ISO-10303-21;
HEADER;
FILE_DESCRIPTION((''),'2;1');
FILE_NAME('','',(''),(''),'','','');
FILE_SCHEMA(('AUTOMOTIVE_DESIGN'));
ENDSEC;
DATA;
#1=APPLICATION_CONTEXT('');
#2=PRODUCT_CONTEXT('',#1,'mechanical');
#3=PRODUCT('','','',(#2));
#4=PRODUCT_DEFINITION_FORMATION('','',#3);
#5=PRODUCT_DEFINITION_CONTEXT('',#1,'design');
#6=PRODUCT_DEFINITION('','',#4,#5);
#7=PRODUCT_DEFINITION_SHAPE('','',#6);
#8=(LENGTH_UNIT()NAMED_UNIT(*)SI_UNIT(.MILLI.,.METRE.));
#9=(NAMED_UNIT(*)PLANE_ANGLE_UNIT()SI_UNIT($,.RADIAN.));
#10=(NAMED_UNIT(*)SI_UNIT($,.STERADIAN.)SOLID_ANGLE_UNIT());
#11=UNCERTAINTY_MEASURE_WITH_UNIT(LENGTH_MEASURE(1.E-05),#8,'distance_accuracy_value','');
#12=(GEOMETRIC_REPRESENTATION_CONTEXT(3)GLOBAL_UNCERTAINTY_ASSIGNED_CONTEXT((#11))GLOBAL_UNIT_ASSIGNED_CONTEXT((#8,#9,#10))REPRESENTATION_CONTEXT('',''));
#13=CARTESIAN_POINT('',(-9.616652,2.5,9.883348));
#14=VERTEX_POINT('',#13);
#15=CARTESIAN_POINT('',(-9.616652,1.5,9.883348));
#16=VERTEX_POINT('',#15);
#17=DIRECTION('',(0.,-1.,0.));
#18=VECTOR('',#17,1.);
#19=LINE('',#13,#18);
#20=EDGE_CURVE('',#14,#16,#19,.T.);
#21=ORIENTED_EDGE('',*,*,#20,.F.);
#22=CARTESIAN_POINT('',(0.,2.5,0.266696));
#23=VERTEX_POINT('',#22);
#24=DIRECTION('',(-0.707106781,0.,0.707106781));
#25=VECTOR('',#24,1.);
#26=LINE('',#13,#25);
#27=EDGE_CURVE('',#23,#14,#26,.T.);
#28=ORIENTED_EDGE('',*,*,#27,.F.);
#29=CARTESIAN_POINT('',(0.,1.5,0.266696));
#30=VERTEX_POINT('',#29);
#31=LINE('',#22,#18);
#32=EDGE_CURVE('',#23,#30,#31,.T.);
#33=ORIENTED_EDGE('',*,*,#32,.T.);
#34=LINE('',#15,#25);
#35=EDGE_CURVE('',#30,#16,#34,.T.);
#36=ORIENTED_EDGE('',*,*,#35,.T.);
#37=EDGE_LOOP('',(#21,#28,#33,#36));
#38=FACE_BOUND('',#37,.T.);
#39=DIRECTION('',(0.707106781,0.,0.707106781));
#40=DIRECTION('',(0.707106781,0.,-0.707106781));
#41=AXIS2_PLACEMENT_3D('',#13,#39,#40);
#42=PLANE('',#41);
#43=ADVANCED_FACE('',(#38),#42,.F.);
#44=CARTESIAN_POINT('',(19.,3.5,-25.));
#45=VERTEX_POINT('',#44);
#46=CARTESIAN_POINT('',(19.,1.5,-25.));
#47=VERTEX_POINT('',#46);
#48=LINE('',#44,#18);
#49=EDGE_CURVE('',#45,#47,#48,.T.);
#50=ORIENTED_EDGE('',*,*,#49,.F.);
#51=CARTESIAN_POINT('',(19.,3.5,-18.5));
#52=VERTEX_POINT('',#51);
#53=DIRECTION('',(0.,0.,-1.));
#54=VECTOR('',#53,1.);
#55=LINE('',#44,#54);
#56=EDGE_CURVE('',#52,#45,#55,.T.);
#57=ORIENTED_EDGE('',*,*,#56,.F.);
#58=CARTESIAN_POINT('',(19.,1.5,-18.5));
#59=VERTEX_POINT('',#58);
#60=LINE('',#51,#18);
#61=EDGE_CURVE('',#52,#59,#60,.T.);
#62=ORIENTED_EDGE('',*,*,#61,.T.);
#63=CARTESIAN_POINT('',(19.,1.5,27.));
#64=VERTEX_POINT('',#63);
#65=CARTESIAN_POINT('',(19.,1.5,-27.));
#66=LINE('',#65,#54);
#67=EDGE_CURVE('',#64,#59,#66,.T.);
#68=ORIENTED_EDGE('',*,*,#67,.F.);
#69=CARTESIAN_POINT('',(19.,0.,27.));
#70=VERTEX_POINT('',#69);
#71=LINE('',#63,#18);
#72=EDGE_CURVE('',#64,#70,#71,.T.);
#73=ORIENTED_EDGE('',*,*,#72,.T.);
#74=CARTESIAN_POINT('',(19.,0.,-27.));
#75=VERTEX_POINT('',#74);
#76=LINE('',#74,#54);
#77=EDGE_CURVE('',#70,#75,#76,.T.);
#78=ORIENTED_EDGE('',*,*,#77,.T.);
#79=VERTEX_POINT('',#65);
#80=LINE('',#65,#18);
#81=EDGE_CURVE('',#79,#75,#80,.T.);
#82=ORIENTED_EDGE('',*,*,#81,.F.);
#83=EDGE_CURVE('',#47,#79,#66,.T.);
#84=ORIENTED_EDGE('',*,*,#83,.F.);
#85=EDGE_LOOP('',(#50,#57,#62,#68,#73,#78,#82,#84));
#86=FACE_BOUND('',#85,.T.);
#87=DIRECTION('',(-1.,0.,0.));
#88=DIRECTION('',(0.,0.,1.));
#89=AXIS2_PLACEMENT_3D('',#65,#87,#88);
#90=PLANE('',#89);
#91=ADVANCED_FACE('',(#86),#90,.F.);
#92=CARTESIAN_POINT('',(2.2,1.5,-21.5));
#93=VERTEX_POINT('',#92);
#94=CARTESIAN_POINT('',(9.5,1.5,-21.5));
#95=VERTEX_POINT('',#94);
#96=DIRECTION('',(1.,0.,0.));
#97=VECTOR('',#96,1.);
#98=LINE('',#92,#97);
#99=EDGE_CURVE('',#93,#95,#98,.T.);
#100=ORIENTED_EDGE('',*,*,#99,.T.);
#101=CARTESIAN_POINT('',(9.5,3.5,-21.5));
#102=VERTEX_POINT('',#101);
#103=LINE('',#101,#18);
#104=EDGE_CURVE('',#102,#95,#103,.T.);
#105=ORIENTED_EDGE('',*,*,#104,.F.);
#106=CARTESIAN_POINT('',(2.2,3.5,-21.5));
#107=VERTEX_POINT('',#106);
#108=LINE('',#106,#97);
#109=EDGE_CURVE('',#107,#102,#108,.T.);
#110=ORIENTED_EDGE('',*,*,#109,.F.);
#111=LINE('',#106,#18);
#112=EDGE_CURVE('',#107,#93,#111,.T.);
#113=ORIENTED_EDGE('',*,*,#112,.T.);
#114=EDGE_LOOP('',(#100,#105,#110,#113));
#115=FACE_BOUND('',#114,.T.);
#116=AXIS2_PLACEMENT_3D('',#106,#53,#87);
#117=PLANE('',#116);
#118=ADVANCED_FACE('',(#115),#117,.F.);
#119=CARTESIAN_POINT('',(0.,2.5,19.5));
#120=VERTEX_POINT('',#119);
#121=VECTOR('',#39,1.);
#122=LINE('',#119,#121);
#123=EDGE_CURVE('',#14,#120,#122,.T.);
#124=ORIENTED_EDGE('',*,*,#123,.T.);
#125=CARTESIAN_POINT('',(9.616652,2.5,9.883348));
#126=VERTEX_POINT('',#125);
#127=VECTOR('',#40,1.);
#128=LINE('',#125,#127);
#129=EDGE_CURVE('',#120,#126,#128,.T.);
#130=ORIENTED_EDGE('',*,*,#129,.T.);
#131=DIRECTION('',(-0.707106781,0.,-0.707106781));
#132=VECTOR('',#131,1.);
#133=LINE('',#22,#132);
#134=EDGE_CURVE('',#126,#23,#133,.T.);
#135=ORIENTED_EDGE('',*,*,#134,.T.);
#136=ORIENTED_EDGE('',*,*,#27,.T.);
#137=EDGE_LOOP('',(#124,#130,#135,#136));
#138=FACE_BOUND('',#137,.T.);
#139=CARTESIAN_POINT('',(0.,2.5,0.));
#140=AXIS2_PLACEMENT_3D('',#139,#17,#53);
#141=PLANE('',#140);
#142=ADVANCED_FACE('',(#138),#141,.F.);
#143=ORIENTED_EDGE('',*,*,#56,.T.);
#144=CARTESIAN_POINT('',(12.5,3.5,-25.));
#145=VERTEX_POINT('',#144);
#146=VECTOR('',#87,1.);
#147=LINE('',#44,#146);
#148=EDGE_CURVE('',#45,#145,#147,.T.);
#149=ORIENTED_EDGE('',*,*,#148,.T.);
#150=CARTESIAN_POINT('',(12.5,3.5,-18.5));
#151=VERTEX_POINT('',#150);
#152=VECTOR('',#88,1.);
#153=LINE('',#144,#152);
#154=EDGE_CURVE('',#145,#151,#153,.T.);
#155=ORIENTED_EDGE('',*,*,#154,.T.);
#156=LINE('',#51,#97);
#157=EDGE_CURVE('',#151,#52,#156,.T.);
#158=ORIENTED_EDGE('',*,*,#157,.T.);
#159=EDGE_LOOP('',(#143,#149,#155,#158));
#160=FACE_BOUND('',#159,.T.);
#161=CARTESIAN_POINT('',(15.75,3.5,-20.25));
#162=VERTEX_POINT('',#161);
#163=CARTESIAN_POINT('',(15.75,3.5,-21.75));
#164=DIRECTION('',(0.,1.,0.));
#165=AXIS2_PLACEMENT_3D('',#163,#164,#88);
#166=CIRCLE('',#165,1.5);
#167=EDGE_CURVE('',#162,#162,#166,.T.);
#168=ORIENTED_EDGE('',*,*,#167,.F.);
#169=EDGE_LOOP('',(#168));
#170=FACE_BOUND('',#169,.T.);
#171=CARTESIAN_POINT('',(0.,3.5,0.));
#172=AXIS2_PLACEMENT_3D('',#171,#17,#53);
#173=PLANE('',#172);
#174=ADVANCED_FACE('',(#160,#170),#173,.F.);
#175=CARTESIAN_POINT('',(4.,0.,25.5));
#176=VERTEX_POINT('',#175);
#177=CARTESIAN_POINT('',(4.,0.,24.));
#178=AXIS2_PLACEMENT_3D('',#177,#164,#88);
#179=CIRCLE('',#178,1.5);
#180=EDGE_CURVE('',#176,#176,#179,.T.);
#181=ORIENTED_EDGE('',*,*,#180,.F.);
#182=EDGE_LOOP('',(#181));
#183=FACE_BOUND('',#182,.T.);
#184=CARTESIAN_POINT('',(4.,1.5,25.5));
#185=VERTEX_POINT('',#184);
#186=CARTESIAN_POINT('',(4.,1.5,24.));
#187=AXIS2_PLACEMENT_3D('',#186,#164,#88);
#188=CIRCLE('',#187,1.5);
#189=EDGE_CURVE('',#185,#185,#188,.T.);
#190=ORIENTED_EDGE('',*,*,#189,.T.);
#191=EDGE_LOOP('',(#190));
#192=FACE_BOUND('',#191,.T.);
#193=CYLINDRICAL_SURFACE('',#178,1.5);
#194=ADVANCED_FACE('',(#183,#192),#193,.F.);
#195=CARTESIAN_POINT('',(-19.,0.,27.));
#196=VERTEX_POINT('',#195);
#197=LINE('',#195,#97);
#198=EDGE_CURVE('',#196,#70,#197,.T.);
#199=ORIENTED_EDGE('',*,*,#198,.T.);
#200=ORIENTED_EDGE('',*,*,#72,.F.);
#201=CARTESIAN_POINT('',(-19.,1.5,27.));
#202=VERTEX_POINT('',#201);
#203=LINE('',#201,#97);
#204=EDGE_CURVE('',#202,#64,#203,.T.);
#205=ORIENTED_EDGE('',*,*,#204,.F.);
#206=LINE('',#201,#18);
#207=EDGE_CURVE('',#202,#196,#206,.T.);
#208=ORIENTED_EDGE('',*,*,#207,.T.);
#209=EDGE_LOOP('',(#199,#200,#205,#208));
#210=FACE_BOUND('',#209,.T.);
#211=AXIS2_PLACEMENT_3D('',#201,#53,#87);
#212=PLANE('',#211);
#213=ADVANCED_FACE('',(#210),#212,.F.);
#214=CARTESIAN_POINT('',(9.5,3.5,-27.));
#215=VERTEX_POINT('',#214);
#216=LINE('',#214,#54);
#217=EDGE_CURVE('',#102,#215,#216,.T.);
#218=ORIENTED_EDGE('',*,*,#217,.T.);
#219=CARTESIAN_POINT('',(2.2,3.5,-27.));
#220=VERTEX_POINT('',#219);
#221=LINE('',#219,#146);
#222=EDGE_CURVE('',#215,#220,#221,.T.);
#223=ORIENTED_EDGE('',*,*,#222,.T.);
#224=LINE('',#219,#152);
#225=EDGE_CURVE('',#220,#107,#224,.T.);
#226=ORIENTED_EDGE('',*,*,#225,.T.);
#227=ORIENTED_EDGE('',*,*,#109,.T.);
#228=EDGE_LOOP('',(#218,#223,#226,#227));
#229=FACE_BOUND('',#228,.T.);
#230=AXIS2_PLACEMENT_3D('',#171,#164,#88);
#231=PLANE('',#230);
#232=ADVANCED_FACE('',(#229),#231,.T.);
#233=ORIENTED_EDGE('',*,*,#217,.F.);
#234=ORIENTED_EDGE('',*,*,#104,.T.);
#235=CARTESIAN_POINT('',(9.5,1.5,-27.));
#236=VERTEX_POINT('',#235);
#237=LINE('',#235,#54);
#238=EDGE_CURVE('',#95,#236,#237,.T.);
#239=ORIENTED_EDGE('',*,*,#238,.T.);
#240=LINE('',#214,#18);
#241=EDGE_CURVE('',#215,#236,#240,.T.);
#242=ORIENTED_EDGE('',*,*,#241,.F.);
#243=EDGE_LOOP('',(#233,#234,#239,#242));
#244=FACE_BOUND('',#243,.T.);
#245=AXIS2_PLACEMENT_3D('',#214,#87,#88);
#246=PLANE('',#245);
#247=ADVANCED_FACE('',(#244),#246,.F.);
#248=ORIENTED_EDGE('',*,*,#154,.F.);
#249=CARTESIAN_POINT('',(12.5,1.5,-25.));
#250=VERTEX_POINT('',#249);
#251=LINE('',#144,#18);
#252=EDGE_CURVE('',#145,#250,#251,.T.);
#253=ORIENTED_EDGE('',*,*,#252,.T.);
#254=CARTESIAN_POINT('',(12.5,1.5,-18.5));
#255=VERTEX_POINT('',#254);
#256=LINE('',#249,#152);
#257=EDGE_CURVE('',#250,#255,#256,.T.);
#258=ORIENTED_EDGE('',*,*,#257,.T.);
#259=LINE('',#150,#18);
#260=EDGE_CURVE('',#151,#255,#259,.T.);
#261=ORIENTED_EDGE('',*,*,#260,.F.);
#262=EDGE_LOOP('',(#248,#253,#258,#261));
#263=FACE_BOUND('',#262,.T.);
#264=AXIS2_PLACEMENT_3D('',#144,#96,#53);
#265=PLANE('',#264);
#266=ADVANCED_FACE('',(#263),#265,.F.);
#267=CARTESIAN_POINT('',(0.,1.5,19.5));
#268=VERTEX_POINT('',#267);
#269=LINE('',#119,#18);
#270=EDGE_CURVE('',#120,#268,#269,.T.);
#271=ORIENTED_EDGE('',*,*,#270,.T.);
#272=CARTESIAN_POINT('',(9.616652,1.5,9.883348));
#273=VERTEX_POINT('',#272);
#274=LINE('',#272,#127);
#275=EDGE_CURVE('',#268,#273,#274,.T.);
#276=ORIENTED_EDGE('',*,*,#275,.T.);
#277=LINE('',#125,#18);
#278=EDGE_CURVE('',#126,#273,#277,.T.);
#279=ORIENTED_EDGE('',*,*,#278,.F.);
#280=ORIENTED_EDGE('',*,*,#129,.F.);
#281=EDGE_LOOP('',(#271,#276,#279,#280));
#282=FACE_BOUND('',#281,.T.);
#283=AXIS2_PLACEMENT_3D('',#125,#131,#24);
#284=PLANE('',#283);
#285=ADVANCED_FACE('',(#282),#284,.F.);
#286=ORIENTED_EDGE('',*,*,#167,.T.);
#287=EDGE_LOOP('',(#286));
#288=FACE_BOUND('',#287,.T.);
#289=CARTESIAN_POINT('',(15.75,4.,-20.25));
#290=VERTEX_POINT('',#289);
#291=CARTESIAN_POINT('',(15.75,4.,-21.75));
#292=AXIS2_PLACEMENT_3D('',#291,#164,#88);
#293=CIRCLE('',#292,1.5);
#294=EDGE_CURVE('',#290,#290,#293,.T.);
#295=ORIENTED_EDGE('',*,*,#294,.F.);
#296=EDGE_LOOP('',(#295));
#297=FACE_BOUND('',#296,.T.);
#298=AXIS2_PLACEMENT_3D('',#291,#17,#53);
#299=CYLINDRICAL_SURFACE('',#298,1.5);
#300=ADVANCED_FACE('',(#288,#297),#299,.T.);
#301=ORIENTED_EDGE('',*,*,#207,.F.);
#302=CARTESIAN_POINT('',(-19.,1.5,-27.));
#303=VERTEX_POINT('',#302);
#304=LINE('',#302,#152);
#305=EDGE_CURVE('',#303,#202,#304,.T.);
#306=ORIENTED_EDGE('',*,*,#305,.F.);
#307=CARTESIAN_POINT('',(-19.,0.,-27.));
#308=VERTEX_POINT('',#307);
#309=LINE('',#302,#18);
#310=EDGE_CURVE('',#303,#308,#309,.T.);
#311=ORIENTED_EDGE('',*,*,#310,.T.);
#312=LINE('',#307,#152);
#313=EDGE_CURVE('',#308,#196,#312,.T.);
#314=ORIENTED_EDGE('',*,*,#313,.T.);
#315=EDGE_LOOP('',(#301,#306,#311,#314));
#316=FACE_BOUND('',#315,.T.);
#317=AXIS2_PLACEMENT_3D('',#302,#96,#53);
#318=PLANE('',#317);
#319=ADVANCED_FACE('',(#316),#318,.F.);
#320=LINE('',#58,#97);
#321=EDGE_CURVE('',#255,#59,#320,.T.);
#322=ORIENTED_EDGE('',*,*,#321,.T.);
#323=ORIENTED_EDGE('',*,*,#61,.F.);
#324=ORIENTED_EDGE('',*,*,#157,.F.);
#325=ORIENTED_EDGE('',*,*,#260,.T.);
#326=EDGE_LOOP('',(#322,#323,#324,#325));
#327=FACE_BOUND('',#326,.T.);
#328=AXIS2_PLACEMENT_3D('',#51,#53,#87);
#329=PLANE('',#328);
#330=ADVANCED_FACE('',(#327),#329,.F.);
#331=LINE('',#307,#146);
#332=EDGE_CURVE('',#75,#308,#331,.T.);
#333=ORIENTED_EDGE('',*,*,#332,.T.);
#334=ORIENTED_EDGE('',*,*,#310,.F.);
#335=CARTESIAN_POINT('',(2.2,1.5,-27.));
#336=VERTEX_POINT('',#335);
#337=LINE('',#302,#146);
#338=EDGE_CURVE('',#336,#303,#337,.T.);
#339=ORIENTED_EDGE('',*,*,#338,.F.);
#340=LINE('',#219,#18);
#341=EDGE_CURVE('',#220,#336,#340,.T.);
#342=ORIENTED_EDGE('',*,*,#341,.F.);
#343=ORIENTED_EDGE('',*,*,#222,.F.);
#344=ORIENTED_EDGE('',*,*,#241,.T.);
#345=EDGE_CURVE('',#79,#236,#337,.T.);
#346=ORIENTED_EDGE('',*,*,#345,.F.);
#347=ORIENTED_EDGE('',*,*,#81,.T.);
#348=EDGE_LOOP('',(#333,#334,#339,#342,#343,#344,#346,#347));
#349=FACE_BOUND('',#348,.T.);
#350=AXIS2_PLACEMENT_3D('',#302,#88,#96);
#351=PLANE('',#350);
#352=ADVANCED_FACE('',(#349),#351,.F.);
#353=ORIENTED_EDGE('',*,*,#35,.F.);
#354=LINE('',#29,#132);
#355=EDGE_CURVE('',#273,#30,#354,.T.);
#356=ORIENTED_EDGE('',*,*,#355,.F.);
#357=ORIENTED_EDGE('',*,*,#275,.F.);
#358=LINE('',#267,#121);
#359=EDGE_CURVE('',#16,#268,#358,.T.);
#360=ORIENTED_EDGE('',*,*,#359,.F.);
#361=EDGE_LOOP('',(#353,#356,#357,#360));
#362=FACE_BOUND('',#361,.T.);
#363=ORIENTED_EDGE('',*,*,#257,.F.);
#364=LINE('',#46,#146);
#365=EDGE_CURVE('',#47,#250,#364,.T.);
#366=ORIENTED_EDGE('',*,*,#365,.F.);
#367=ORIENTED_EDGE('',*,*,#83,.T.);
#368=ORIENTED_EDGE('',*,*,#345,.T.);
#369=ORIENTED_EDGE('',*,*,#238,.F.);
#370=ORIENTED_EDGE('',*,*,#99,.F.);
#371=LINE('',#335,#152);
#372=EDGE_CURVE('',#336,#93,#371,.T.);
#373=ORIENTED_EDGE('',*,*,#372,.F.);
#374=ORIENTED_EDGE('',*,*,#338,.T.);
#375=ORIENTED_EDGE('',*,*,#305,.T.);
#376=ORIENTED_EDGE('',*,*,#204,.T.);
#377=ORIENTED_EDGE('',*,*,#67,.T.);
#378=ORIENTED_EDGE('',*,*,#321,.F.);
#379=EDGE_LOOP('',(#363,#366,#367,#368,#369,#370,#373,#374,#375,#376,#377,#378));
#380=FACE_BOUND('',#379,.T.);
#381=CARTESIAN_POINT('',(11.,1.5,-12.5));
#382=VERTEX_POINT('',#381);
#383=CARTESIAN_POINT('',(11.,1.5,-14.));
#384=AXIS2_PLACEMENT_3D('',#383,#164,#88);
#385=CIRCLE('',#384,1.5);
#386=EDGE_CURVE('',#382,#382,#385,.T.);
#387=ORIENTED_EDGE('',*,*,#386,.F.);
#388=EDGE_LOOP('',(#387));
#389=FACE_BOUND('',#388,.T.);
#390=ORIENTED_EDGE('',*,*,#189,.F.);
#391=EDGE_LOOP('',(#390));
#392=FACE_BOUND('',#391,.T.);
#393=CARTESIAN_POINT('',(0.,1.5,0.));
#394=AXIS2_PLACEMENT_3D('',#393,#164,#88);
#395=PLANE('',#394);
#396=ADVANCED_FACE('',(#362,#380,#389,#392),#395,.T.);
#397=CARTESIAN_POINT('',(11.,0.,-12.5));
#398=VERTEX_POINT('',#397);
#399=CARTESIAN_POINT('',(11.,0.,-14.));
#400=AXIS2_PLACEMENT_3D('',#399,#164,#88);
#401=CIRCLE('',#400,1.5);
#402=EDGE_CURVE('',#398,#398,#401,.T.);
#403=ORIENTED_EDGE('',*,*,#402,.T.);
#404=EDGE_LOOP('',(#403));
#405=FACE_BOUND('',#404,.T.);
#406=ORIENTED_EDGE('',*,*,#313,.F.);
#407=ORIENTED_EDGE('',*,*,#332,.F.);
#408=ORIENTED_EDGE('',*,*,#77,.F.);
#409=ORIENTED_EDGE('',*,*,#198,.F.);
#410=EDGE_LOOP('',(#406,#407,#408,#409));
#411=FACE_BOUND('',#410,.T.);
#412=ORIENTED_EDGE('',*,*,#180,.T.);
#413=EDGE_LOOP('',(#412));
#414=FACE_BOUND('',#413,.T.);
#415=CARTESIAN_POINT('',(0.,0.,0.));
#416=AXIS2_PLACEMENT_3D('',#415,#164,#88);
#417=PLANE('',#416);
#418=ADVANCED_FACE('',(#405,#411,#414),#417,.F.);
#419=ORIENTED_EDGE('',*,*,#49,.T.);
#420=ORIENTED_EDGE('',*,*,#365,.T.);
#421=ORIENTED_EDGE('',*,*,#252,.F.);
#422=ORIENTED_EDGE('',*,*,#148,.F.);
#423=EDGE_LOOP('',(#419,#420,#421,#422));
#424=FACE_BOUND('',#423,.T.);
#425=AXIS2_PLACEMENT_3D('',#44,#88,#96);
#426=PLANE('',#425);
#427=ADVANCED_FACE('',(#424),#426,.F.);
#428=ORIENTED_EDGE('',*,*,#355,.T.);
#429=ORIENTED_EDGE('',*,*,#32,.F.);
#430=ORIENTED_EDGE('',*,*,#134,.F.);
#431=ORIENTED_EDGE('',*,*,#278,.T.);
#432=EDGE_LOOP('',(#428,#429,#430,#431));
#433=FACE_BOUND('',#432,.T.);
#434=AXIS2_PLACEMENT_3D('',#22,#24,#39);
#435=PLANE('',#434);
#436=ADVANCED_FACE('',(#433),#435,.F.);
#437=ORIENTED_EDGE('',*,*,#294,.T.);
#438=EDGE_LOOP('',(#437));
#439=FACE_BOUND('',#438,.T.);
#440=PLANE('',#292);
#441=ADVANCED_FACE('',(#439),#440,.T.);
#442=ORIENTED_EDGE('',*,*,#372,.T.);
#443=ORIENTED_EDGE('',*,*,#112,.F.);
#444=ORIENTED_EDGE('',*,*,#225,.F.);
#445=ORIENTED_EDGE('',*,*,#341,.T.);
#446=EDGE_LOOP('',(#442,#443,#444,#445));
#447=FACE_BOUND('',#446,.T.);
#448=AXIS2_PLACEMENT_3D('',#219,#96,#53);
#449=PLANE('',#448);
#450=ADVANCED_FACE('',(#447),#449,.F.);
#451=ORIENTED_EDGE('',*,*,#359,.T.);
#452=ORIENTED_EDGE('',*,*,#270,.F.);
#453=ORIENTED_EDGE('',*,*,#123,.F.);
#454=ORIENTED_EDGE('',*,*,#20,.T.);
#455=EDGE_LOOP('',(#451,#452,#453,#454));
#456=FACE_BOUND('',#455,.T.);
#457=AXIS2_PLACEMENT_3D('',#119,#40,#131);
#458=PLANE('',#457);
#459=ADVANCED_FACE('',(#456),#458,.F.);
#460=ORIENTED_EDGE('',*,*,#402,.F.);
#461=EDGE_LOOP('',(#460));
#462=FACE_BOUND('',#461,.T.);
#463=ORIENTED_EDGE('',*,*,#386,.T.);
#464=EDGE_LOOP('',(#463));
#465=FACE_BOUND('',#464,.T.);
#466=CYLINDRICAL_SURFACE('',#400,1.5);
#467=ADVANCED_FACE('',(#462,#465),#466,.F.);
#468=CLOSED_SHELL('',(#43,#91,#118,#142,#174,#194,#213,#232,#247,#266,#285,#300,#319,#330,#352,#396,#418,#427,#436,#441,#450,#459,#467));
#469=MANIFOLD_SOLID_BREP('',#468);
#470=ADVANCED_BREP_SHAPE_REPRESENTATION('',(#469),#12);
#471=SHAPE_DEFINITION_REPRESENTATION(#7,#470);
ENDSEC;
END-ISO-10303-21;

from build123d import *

# Parameters (mm, degrees)
SKETCH1_W               = 38
SKETCH1_H               = 54
PCB_DEPTH               = 1.5
ATMEGA_DEPTH            = 1
SKETCH3_W               = 7.3
SKETCH3_H               = 5.5
SKETCH3_W_2             = 6.5
SKETCH3_H_2             = 6.5
USB_AND_RST_DEPTH       = 2
SKETCH4_R               = 1.5
BUTTON_DEPTH            = 0.5
CUT_EXTRUDE1_DEPTH      = 34.109666262
CUT_EXTRUDE1_DEPTH_BACK = 34.109666262
SKETCH5_R               = 1.5


with BuildPart() as part:
    # Sketch1 → PCB (new body)
    with BuildSketch(Plane(origin=(0, 0, 0), x_dir=(1, 0, 0), z_dir=(0, 1, 0))):
        Rectangle(SKETCH1_W, SKETCH1_H)
    extrude(amount=PCB_DEPTH)

    # Sketch2 → ATMega (add)
    with BuildSketch(Plane(origin=(0, 1.5, 0), x_dir=(1, 0, 0), z_dir=(0, 1, 0))):
        Polygon((0, -0.266695552), (9.616652224, -9.883347776), (0, -19.5), (-9.616652224, -9.883347776), align=None)
    extrude(amount=ATMEGA_DEPTH)

    # Sketch3 → USB and RST (add)
    with BuildSketch(Plane(origin=(0, 1.5, 0), x_dir=(1, 0, 0), z_dir=(0, 1, 0))):
        with Locations((5.85, 24.25)):
            Rectangle(SKETCH3_W, SKETCH3_H)
        with Locations((15.75, 21.75)):
            Rectangle(SKETCH3_W_2, SKETCH3_H_2)
    extrude(amount=USB_AND_RST_DEPTH)

    # Sketch4 → Button (add)
    with BuildSketch(Plane(origin=(0, 3.5, 0), x_dir=(1, 0, 0), z_dir=(0, 1, 0))):
        with Locations(Location((15.75, 21.75, 0), (0, 0, 270))):
            Circle(SKETCH4_R)
    extrude(amount=BUTTON_DEPTH)

    # Sketch5 → Cut-Extrude1 (cut, two sides: drawn at the far end of the back side and taken through both)
    with BuildSketch(Plane(origin=(0, 1.5, 0), x_dir=(1, 0, 0), z_dir=(0, 1, 0)).offset(-CUT_EXTRUDE1_DEPTH_BACK)):
        with Locations(Location((11, 14, 0), (0, 0, 270))):
            Circle(SKETCH5_R)
        with Locations(Location((4, -24, 0), (0, 0, 270))):
            Circle(SKETCH5_R)
    extrude(amount=CUT_EXTRUDE1_DEPTH + CUT_EXTRUDE1_DEPTH_BACK, mode=Mode.SUBTRACT)


solid = part.part
